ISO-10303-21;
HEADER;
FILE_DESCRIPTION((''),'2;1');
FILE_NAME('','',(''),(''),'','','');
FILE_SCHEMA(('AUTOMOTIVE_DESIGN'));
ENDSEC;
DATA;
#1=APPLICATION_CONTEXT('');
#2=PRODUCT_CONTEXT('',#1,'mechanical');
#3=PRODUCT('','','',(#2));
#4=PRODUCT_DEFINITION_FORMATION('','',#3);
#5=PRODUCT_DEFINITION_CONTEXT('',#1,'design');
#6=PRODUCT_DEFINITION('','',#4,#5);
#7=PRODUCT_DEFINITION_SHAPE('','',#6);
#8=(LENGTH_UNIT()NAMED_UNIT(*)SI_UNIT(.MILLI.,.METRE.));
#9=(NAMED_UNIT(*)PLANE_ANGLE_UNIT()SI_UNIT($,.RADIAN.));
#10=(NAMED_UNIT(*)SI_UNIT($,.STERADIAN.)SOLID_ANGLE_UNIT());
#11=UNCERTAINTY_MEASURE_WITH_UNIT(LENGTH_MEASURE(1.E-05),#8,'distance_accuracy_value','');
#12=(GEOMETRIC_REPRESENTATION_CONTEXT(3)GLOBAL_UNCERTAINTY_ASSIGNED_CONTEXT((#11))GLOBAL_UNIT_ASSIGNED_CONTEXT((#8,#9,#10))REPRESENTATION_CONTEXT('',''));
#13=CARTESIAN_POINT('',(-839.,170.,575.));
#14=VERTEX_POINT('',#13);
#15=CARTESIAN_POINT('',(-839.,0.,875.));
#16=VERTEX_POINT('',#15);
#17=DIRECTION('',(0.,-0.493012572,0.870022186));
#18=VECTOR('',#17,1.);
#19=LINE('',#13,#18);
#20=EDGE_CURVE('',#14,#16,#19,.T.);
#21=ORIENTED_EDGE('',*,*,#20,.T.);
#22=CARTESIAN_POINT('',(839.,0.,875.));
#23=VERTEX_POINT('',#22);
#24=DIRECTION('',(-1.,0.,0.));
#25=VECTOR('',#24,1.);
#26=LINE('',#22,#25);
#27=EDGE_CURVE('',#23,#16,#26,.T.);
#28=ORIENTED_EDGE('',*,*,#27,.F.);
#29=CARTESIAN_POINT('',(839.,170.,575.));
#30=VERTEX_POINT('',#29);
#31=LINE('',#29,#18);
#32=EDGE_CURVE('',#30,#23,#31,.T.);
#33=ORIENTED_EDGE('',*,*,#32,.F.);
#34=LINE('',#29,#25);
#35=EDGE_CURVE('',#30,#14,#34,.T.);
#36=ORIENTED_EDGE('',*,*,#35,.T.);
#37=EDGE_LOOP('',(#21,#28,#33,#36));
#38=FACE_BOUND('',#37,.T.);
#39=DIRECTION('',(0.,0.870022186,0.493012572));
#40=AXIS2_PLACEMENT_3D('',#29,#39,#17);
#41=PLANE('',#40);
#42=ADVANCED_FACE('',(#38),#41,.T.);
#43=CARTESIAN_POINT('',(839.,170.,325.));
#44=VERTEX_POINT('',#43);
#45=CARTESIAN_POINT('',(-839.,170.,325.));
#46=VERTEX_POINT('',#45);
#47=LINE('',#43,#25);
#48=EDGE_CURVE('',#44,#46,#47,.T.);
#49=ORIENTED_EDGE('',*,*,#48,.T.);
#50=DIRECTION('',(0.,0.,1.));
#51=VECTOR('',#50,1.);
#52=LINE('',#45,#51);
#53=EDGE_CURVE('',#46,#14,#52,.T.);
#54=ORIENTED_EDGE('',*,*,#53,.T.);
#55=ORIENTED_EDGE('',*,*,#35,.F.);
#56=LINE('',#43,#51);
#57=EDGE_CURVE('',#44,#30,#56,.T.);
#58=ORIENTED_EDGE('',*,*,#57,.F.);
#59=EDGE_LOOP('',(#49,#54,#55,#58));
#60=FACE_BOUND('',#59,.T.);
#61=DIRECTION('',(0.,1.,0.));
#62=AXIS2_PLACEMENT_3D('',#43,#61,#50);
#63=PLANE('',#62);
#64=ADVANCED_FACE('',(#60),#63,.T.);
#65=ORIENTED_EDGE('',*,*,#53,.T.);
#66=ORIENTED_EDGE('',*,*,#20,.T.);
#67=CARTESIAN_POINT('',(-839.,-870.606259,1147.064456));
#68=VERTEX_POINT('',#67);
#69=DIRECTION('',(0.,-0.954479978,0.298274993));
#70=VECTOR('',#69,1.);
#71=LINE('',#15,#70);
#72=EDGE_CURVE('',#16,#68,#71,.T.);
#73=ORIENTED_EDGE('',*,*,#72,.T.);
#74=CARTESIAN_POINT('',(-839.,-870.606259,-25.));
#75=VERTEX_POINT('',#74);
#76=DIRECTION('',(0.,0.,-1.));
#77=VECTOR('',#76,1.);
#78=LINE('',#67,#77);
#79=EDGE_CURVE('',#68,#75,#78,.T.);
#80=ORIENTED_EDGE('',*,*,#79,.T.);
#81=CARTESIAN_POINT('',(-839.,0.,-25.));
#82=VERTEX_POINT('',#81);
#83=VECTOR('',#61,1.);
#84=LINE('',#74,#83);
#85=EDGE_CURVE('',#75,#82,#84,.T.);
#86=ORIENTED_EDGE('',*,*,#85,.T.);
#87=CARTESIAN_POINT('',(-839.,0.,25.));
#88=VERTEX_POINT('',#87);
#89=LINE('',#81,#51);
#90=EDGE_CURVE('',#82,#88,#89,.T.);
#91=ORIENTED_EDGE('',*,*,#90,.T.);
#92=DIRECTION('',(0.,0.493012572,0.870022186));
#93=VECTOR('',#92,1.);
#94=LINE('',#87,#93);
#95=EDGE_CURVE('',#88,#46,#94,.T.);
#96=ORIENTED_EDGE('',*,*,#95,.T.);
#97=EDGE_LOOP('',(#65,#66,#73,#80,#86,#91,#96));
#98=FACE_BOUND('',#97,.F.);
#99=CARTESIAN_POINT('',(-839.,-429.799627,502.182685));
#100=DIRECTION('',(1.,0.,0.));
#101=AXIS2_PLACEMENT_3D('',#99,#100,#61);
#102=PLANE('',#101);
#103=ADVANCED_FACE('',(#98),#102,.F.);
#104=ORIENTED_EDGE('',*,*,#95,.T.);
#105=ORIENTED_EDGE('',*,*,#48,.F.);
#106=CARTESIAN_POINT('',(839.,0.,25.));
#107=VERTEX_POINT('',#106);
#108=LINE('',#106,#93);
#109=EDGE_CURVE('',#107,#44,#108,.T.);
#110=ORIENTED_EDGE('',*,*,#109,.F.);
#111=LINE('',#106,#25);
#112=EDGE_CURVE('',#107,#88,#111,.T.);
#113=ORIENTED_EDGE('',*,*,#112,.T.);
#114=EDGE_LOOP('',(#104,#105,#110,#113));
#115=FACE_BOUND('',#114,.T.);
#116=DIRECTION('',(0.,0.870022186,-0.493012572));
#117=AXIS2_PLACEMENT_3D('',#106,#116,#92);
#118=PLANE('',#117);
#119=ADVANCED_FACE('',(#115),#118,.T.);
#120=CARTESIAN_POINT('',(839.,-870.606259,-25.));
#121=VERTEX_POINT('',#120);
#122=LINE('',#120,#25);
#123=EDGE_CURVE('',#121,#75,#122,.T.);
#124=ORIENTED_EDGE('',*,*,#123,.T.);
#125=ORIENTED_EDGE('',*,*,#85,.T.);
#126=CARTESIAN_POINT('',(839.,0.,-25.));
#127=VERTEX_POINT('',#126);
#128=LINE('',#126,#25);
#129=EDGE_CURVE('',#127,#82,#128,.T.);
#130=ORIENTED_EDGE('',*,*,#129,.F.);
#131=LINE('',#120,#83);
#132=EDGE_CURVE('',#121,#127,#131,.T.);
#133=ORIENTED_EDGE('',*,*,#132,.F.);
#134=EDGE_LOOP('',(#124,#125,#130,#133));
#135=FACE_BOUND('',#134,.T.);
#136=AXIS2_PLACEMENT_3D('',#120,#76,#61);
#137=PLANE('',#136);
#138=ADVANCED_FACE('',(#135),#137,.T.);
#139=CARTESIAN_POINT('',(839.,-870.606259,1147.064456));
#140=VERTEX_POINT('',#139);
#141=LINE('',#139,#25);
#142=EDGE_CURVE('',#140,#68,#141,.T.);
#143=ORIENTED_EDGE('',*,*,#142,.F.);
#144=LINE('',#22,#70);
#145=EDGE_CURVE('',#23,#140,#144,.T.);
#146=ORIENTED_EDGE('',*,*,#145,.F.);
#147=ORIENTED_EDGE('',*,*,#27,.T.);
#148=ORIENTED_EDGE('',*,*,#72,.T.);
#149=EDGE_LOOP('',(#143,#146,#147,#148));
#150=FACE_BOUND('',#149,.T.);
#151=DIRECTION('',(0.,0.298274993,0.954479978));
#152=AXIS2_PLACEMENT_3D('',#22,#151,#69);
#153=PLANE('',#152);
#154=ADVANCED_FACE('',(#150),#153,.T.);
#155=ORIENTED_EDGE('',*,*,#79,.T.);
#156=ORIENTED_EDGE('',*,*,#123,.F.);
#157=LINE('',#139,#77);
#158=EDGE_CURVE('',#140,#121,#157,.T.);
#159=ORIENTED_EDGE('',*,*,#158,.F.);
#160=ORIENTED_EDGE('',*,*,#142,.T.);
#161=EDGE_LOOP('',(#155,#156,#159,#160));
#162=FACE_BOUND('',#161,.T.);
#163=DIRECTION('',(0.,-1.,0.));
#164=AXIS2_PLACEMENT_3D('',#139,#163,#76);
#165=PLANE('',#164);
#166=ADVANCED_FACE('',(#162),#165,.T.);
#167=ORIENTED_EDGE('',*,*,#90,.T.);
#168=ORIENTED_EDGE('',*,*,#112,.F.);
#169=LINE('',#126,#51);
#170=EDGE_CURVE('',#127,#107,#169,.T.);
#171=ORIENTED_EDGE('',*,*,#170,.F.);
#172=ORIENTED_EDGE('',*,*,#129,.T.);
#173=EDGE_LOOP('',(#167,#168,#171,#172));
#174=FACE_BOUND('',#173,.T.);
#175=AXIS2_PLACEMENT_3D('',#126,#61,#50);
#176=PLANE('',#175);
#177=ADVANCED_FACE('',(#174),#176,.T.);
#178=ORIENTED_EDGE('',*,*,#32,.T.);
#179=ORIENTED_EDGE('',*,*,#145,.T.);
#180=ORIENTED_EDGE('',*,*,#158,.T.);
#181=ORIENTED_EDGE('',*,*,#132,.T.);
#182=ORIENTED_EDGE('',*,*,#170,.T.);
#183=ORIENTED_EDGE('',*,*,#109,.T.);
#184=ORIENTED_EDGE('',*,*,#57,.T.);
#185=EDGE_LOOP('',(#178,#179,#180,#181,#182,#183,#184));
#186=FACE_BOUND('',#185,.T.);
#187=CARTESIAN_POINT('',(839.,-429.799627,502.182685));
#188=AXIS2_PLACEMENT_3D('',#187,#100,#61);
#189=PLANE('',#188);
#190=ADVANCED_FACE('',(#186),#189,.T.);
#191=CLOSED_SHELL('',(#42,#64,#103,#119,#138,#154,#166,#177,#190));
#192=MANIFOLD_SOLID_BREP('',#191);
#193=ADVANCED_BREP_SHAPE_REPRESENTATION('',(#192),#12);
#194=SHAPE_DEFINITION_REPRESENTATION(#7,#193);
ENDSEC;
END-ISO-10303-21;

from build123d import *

# Parameters (mm, degrees)
F1_DEPTH = 1678
F3_DEPTH = 1678


with BuildPart() as f1:
    # F0 (on Right) → F1 (new body)
    with BuildSketch(Plane.YZ):
        Polygon((0, 25), (0, 0), (0, -25), (597.705221, -25), (820, 618.75), (0, 875), (170, 575), (170, 325), align=None)
    extrude(amount=F1_DEPTH)


with BuildPart() as f3:
    # F2 (on face) → F3 (new body)
    with BuildSketch(Plane.YZ.offset(839)):
        Polygon((170, 575), (0, 875), (-870.606259, 1147.064456), (-870.606259, -25), (0, -25), (0, 0), (0, 25), (170, 325), align=None)
    extrude(amount=-F3_DEPTH)


solid = f3.part
